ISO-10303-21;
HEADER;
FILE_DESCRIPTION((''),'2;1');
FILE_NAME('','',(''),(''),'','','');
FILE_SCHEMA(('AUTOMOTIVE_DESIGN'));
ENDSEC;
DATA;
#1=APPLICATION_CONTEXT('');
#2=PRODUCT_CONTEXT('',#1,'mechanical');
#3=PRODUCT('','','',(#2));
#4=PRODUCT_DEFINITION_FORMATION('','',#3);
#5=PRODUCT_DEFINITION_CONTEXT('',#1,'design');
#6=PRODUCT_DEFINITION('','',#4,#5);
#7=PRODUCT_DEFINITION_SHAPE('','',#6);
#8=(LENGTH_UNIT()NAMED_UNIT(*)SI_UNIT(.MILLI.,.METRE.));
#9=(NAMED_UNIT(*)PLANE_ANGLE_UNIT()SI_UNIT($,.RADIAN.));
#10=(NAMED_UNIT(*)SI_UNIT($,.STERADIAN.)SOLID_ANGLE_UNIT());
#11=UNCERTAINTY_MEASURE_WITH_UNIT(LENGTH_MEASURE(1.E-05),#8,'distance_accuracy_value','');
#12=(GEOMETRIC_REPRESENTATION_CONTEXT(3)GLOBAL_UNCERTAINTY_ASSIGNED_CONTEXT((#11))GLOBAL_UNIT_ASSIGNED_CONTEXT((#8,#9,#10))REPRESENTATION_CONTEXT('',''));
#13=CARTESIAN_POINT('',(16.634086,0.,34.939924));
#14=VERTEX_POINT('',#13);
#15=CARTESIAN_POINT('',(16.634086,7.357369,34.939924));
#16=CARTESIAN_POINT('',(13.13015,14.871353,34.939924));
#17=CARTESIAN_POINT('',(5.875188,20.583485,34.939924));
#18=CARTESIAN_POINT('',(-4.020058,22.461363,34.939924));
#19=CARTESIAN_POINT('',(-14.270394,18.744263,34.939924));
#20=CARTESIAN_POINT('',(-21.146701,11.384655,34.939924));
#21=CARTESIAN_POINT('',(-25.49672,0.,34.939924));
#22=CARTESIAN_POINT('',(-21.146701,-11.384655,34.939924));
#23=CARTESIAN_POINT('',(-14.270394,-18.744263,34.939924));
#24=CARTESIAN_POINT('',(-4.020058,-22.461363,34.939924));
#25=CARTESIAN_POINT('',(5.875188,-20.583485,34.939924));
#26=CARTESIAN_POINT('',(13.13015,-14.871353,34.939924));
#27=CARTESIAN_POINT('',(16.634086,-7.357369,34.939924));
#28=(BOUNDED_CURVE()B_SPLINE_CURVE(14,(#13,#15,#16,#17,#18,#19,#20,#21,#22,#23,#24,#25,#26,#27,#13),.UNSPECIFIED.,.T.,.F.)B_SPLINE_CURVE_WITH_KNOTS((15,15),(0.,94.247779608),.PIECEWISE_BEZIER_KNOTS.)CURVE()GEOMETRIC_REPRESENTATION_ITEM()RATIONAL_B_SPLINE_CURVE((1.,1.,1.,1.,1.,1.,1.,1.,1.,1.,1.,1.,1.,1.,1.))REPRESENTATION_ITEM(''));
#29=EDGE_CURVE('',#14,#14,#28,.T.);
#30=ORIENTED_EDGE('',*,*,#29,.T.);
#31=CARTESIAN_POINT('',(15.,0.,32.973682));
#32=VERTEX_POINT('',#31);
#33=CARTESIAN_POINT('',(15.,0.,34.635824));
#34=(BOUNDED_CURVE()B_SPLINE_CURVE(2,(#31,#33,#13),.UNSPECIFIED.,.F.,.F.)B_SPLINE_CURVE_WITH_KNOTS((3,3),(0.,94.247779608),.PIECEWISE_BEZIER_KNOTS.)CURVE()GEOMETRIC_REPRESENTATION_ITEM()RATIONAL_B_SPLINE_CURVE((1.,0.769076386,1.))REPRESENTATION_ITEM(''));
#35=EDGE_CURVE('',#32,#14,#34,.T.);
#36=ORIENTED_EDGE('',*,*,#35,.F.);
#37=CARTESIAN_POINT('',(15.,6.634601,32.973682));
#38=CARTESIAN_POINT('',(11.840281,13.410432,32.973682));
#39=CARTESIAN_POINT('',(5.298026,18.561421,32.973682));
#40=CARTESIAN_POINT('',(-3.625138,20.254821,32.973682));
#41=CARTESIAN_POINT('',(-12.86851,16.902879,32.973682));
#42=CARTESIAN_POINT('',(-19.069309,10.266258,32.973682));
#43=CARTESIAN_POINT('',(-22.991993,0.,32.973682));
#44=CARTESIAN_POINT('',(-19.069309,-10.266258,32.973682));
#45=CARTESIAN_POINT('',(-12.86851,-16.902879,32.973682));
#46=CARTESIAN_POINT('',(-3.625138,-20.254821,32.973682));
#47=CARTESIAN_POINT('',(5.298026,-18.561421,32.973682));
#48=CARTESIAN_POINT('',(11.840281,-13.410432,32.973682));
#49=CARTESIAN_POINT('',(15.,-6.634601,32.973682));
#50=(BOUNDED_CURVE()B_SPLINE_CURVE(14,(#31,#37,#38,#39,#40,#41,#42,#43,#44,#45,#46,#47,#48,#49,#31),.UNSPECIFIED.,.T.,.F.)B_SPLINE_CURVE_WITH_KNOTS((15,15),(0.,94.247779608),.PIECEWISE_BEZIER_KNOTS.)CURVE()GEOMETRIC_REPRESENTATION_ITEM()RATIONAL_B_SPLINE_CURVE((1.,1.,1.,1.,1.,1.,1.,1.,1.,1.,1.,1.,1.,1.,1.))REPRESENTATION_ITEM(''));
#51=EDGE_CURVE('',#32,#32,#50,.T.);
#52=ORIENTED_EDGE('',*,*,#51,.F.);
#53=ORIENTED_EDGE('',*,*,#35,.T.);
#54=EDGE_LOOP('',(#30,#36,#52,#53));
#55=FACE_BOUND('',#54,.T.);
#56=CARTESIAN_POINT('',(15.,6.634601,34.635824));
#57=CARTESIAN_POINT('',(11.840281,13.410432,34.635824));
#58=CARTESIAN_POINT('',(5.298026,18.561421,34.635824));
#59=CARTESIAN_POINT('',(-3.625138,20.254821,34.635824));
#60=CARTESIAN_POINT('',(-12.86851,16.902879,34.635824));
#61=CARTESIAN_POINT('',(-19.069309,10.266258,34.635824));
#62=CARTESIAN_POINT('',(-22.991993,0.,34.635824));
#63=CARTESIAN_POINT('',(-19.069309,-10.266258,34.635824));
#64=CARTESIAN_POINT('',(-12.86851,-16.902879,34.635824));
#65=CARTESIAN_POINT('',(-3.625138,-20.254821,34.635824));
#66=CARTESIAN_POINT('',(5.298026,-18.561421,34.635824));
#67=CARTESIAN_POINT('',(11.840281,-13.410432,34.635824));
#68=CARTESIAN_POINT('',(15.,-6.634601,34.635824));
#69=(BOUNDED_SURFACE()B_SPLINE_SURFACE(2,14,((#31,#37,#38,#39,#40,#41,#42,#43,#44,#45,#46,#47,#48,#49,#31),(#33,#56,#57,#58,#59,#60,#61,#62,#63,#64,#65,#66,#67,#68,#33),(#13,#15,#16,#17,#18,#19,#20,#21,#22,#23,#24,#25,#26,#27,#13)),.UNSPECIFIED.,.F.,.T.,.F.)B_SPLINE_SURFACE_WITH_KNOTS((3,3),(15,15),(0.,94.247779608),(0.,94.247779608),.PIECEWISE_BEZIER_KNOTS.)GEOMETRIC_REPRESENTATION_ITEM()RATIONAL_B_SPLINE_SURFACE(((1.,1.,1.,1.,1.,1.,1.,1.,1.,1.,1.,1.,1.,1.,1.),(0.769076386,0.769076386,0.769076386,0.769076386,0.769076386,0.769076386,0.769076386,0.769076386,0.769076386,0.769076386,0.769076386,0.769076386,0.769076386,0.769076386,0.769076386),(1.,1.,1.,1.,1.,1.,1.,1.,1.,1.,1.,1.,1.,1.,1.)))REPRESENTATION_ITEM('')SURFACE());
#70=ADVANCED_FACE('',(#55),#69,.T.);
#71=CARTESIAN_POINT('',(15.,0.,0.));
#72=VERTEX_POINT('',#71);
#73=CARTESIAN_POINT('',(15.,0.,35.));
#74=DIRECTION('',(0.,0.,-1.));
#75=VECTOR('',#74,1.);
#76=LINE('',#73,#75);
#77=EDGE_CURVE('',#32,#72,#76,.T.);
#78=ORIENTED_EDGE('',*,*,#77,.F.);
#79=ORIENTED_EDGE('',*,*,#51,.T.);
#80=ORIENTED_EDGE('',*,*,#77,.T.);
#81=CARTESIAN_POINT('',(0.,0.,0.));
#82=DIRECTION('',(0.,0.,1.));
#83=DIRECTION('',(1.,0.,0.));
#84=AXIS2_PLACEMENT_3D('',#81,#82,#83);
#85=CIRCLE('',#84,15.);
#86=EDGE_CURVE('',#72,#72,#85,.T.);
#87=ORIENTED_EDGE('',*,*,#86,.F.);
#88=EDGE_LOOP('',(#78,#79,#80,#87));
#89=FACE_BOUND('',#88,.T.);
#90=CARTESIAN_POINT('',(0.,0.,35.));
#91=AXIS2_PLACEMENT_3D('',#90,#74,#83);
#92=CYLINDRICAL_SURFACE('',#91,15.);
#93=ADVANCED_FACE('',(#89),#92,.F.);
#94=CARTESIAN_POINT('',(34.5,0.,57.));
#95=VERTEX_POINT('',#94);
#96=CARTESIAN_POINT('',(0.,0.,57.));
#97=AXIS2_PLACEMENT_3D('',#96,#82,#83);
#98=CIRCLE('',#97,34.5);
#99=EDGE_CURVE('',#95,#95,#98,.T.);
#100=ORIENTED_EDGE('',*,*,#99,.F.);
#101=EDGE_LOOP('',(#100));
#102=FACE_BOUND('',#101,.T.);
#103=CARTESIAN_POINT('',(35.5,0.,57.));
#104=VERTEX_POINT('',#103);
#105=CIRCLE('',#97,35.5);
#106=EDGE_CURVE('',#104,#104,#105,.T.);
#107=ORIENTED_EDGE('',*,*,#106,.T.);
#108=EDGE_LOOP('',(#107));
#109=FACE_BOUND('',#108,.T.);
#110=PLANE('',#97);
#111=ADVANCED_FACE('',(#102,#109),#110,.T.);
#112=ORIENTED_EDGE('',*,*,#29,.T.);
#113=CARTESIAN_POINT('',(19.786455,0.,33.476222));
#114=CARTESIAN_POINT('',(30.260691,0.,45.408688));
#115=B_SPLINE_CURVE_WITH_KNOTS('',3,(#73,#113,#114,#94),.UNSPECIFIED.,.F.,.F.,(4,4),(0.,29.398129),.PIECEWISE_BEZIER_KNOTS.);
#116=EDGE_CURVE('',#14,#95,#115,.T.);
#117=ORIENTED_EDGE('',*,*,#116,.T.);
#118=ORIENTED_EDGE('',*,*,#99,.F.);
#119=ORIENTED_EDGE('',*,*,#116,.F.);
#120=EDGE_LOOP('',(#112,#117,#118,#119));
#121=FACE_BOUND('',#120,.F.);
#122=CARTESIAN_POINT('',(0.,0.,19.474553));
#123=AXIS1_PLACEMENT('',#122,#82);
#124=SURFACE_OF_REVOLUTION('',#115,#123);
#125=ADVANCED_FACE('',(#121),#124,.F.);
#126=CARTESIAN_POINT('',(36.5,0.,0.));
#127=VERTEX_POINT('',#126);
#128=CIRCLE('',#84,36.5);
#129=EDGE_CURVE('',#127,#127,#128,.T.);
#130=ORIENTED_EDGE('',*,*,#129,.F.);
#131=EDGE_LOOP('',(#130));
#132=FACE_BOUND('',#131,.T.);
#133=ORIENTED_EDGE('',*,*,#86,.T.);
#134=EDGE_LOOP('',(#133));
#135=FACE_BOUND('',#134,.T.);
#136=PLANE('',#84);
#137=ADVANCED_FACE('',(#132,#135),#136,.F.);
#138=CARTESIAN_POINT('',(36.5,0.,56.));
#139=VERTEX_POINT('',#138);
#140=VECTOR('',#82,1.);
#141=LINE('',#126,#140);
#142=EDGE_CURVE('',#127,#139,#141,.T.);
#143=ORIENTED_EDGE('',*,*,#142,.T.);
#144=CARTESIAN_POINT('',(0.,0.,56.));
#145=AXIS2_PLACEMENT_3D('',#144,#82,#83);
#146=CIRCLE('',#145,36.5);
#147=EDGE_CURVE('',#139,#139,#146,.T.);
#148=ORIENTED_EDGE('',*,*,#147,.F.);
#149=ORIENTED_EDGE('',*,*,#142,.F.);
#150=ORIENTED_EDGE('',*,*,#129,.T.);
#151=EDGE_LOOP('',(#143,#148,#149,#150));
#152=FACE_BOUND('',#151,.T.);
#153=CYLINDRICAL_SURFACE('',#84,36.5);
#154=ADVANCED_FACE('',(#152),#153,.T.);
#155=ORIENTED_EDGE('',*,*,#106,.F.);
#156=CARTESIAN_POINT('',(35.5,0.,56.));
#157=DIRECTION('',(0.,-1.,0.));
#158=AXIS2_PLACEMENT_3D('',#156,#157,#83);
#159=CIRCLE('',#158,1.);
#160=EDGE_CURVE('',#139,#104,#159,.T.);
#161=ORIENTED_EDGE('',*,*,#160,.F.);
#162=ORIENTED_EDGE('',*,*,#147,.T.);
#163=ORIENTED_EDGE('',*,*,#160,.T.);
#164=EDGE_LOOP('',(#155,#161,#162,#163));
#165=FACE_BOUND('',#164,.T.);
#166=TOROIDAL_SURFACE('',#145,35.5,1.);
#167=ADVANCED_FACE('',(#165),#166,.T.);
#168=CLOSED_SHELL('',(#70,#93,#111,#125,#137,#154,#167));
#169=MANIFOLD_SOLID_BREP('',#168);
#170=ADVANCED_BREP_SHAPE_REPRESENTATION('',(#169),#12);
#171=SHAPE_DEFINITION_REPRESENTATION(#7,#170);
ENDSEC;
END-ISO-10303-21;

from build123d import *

# Parameters (mm, degrees)
F2_R = 2
F3_R = 1


with BuildPart() as f1:
    # F0 (on Front) → F1 (revolve)
    with BuildSketch(Plane.XZ):
        with BuildLine():
            Line((15, 35), (15, 0))
            Line((15, 0), (36.5, 0))
            Line((36.5, 0), (36.5, 57))
            Line((36.5, 57), (34.5, 57))
            add(Edge.make_bspline(
                [(15, 35), (19.786455, 33.476222), (30.260691, 45.408688), (34.5, 57)],
                knots=[0, 0, 0, 0, 29.398129, 29.398129, 29.398129, 29.398129], degree=3))
        make_face()
    revolve(axis=Axis((0, 0, 19.474553), (0, 0, 1)))

    # F2
    f2_edges = [f1.edges().sort_by_distance(p)[0] for p in [
        (-15, 0, 35),
    ]]
    fillet(f2_edges, radius=F2_R)

    # F3
    f3_edges = [f1.edges().sort_by_distance(p)[0] for p in [
        (-36.5, 0, 57),
    ]]
    fillet(f3_edges, radius=F3_R)


solid = f1.part
